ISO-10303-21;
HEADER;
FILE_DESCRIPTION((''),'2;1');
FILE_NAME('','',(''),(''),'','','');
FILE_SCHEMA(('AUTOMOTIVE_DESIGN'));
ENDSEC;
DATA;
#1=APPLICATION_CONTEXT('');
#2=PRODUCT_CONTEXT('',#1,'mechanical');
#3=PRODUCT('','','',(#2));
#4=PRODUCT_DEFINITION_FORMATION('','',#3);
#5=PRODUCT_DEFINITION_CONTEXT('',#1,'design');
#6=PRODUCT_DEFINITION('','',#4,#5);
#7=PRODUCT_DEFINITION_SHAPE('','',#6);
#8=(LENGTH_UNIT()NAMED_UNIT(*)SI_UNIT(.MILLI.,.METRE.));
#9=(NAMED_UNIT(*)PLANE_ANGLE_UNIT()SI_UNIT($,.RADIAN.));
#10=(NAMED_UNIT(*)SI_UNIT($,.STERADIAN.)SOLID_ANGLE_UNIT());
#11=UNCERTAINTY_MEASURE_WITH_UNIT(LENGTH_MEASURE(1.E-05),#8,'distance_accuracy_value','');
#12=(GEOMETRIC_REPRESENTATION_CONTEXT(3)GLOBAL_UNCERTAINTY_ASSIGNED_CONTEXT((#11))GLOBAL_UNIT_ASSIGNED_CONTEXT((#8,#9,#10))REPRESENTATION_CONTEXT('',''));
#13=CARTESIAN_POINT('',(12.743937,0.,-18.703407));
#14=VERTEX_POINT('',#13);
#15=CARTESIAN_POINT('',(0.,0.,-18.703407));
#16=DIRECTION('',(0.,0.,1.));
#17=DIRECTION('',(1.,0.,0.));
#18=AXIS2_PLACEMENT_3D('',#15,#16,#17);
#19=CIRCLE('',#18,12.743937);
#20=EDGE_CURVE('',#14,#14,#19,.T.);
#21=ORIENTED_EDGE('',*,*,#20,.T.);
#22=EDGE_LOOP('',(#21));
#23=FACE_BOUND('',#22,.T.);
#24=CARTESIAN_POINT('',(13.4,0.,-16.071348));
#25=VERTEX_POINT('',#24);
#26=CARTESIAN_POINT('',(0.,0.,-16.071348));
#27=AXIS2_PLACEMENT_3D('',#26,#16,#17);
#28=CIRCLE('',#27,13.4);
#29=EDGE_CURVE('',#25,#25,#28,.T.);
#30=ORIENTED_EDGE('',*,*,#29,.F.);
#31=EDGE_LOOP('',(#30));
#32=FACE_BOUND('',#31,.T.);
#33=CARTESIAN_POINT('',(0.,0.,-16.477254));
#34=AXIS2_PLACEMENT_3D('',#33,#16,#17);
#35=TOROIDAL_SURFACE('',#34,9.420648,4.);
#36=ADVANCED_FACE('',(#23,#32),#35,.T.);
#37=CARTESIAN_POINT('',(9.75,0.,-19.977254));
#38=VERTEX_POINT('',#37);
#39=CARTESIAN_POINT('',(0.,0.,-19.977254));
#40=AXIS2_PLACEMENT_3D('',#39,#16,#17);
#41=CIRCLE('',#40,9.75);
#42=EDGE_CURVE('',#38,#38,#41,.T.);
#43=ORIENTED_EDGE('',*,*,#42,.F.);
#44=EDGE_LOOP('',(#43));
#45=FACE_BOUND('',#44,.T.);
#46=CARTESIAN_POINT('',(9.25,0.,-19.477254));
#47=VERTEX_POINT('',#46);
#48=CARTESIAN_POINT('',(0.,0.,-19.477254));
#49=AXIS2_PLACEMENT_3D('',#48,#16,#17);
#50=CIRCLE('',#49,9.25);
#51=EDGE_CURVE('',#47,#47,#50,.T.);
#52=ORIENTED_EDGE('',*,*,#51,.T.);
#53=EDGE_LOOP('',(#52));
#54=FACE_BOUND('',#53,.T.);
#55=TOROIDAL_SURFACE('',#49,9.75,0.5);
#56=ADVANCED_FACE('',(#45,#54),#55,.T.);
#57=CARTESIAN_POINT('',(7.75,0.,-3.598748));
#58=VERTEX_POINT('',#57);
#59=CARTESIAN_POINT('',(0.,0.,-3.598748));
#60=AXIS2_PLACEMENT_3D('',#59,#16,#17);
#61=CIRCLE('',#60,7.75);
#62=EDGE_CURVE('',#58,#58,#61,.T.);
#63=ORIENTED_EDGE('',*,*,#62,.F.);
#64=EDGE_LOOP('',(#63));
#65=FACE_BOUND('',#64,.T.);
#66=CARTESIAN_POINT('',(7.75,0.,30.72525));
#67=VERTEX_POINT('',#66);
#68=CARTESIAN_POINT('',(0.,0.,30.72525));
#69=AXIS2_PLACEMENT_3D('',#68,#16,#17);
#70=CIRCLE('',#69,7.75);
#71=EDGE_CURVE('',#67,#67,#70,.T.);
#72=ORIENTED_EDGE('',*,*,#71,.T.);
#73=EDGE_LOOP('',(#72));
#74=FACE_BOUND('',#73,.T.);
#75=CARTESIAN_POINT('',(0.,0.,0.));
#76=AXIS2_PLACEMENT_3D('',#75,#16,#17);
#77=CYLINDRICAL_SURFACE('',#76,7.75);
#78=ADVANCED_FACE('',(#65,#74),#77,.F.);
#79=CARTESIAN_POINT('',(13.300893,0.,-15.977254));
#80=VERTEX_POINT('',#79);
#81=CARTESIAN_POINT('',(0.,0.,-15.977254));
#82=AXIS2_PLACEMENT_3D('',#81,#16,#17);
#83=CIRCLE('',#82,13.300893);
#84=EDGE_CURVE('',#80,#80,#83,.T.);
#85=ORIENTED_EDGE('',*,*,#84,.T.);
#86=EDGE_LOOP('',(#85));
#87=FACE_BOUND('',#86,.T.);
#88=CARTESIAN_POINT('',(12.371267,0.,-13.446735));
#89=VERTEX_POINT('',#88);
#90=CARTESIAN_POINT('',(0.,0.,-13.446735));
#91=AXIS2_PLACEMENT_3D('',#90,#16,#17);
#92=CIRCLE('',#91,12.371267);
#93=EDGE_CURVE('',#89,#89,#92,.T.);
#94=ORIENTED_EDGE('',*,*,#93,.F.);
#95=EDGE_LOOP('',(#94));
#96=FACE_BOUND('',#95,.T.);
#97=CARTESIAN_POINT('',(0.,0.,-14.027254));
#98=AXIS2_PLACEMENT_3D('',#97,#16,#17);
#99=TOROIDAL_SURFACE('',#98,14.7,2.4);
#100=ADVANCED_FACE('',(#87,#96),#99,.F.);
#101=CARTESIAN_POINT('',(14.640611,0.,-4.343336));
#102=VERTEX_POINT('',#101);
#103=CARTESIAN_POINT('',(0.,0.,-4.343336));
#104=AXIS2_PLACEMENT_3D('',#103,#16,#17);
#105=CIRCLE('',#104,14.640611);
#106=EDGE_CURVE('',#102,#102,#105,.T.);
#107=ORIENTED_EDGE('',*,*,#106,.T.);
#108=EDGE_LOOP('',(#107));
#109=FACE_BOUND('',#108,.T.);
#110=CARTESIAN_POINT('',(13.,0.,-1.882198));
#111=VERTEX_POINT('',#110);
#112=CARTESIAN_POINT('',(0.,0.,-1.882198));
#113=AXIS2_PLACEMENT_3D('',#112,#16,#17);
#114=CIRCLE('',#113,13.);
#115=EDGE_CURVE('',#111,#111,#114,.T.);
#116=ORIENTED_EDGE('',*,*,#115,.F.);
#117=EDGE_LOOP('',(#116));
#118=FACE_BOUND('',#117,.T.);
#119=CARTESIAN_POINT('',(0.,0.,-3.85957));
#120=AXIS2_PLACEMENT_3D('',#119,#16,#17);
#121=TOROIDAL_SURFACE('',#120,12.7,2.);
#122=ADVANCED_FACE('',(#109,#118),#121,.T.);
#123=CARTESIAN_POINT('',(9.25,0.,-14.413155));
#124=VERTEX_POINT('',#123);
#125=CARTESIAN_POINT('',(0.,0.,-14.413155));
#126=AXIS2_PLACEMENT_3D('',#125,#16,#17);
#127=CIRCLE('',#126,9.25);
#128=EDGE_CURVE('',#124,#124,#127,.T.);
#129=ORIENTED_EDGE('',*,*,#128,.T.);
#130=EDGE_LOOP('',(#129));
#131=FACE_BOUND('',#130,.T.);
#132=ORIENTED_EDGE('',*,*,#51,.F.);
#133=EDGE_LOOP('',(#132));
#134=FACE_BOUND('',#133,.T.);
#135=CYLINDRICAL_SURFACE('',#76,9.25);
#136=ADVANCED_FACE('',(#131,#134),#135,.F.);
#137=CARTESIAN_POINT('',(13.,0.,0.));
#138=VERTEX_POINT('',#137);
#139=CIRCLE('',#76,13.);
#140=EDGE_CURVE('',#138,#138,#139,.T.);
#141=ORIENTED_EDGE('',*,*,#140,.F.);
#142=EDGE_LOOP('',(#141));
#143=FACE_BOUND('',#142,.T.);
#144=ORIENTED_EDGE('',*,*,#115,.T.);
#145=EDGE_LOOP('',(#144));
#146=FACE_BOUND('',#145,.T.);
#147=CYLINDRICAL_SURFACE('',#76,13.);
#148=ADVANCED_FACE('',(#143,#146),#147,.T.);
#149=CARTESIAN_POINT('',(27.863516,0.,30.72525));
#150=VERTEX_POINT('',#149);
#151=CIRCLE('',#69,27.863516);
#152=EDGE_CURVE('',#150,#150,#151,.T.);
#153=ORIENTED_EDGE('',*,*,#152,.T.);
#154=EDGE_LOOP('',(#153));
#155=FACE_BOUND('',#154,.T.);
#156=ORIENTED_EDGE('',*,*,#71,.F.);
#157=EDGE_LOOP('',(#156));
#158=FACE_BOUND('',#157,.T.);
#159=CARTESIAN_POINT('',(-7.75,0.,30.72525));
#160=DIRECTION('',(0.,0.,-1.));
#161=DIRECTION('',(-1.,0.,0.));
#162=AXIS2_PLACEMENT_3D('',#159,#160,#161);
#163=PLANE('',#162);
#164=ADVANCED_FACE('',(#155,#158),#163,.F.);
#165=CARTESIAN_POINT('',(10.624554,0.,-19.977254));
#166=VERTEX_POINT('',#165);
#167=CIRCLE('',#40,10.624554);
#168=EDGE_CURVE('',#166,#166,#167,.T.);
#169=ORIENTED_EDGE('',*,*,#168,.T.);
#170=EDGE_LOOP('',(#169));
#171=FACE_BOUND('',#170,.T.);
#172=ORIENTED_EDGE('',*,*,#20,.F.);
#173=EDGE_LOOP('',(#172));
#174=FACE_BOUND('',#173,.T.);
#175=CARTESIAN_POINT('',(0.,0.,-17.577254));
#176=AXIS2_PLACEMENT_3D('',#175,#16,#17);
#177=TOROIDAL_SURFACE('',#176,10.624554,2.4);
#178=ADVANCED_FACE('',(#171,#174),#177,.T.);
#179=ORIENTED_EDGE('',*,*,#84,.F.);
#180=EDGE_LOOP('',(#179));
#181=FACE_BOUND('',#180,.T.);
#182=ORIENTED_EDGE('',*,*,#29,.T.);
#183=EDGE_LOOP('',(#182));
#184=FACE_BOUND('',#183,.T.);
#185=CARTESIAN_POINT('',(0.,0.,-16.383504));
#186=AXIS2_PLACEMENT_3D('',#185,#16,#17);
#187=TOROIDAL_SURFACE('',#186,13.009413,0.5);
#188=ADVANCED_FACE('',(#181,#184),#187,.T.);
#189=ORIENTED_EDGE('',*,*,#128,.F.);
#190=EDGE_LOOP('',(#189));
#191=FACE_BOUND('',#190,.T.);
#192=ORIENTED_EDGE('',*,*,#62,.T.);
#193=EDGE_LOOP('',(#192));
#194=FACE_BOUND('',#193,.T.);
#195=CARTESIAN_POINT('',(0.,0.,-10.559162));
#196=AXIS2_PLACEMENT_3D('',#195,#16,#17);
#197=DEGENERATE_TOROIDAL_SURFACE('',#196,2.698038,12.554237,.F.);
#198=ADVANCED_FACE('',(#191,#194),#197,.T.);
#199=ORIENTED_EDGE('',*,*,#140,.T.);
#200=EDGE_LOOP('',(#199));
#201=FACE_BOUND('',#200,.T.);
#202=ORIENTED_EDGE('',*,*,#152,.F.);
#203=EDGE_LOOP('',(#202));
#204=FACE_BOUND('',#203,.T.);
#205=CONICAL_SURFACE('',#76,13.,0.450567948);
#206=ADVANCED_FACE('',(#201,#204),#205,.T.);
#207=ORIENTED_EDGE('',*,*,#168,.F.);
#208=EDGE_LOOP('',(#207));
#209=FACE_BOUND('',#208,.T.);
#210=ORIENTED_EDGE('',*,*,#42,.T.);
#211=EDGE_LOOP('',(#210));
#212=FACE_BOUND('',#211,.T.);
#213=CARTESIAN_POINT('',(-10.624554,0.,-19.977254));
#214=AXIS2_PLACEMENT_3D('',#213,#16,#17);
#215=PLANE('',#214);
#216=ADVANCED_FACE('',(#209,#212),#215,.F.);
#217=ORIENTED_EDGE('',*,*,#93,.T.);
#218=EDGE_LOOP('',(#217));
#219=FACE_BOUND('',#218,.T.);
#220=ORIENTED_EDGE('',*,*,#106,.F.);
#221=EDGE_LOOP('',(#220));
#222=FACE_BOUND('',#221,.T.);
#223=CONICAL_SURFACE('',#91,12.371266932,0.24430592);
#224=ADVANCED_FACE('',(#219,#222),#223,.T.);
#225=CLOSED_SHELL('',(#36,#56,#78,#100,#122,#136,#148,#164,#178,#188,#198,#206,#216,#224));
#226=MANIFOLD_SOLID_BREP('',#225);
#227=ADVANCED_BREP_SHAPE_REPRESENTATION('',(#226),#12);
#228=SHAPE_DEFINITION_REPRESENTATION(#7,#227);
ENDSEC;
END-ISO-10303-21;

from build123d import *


with BuildPart() as part:
    # Sketch1 → Revolve1 (revolve)
    with BuildSketch(Plane(origin=(0, 0, 0), x_dir=(1, 0, 0), z_dir=(0, 1, 0)), mode=Mode.PRIVATE) as revolve1_sk:
        with BuildLine():
            Line((-7.75, 0), (-7.75, 3.59874773))
            ThreePointArc((-7.75, 3.59874773), (-9.737150145, 8.834353772), (-9.25, 14.413154814))
            Line((-9.25, 14.413154814), (-9.25, 19.477254176))
            ThreePointArc((-9.25, 19.477254176), (-9.396446609, 19.830807566), (-9.75, 19.977254176))
            Line((-9.75, 19.977254176), (-10.624554433, 19.977254176))
            ThreePointArc((-10.624554433, 19.977254176), (-11.860926928, 19.63428676), (-12.743936524, 18.703406721))
            ThreePointArc((-12.743936524, 18.703406721), (-13.301894318, 17.444688456), (-13.4, 16.071348059))
            ThreePointArc((-13.4, 16.071348059), (-13.353676429, 16.020899185), (-13.300893142, 15.977254176))
            ThreePointArc((-13.300893142, 15.977254176), (-12.447206352, 14.854853584), (-12.371266932, 13.446735184))
            Line((-12.371266932, 13.446735184), (-14.64061089, 4.343335661))
            ThreePointArc((-14.64061089, 4.343335661), (-14.364146668, 2.750238564), (-13, 1.882197841))
            Line((-13, 1.882197841), (-13, 0))
            Line((-13, 0), (-27.863515915, -30.725250222))
            Line((-27.863515915, -30.725250222), (-7.75, -30.725250222))
            Line((-7.75, -30.725250222), (-7.75, 0))
        make_face()
    revolve(revolve1_sk.sketch.rotate(Axis((0, 0, 0), (0, 0, -1)), 180), axis=Axis((0, 0, 0), (0, 0, -1)))


solid = part.part
